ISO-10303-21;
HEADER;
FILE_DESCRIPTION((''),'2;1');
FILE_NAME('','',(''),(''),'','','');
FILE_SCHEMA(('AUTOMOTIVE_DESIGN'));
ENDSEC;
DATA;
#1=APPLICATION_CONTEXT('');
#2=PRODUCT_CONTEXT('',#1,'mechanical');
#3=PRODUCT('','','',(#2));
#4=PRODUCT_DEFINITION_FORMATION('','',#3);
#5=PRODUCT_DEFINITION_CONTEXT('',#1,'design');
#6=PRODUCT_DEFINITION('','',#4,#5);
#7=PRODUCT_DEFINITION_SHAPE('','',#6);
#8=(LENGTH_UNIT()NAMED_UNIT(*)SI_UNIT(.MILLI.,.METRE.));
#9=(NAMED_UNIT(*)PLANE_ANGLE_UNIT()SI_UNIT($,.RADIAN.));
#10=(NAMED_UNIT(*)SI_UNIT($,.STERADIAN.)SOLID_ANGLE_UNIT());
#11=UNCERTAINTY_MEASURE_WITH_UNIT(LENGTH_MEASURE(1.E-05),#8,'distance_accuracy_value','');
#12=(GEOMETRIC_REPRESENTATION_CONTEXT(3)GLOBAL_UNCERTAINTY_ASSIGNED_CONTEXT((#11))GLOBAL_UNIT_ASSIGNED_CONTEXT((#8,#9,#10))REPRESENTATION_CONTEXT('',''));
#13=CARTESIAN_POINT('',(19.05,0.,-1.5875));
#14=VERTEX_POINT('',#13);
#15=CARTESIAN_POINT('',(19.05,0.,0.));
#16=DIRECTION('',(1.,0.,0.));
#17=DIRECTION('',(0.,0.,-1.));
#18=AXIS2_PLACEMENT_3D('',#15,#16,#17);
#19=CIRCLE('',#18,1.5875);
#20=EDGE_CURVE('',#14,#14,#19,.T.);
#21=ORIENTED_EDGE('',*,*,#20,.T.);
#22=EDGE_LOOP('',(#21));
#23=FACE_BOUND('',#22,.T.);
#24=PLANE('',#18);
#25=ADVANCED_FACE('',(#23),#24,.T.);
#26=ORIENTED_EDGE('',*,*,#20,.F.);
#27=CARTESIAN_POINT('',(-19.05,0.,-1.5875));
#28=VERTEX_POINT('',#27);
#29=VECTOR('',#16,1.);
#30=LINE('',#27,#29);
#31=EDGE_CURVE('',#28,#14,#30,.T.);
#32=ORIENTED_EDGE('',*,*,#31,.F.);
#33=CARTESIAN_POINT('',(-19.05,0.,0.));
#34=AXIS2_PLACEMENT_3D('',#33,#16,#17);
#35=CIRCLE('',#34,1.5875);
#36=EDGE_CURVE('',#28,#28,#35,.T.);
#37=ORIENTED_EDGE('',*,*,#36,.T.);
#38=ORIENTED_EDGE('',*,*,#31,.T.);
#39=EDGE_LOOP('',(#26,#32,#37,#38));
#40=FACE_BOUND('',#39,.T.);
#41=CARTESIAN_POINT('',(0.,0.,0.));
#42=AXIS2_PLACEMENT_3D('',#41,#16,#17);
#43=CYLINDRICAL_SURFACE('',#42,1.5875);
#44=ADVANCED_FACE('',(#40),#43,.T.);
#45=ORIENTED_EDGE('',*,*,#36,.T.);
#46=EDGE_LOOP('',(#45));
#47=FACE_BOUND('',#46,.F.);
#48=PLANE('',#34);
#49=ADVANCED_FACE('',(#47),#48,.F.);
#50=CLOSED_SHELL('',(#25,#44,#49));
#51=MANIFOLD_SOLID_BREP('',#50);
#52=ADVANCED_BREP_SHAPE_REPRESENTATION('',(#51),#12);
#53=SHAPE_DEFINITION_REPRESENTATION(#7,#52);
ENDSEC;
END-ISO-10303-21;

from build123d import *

# Parameters (mm, degrees)
SKETCH1_R           = 1.5875
BOSS_EXTRUDE1_DEPTH = 19.05


with BuildPart() as part:
    # Sketch1 → Boss-Extrude1 (new body, symmetric)
    with BuildSketch(Plane(origin=(0, 0, 0), x_dir=(0, 0, -1), z_dir=(1, 0, 0))):
        Circle(SKETCH1_R)
    extrude(amount=BOSS_EXTRUDE1_DEPTH, both=True)


solid = part.part
